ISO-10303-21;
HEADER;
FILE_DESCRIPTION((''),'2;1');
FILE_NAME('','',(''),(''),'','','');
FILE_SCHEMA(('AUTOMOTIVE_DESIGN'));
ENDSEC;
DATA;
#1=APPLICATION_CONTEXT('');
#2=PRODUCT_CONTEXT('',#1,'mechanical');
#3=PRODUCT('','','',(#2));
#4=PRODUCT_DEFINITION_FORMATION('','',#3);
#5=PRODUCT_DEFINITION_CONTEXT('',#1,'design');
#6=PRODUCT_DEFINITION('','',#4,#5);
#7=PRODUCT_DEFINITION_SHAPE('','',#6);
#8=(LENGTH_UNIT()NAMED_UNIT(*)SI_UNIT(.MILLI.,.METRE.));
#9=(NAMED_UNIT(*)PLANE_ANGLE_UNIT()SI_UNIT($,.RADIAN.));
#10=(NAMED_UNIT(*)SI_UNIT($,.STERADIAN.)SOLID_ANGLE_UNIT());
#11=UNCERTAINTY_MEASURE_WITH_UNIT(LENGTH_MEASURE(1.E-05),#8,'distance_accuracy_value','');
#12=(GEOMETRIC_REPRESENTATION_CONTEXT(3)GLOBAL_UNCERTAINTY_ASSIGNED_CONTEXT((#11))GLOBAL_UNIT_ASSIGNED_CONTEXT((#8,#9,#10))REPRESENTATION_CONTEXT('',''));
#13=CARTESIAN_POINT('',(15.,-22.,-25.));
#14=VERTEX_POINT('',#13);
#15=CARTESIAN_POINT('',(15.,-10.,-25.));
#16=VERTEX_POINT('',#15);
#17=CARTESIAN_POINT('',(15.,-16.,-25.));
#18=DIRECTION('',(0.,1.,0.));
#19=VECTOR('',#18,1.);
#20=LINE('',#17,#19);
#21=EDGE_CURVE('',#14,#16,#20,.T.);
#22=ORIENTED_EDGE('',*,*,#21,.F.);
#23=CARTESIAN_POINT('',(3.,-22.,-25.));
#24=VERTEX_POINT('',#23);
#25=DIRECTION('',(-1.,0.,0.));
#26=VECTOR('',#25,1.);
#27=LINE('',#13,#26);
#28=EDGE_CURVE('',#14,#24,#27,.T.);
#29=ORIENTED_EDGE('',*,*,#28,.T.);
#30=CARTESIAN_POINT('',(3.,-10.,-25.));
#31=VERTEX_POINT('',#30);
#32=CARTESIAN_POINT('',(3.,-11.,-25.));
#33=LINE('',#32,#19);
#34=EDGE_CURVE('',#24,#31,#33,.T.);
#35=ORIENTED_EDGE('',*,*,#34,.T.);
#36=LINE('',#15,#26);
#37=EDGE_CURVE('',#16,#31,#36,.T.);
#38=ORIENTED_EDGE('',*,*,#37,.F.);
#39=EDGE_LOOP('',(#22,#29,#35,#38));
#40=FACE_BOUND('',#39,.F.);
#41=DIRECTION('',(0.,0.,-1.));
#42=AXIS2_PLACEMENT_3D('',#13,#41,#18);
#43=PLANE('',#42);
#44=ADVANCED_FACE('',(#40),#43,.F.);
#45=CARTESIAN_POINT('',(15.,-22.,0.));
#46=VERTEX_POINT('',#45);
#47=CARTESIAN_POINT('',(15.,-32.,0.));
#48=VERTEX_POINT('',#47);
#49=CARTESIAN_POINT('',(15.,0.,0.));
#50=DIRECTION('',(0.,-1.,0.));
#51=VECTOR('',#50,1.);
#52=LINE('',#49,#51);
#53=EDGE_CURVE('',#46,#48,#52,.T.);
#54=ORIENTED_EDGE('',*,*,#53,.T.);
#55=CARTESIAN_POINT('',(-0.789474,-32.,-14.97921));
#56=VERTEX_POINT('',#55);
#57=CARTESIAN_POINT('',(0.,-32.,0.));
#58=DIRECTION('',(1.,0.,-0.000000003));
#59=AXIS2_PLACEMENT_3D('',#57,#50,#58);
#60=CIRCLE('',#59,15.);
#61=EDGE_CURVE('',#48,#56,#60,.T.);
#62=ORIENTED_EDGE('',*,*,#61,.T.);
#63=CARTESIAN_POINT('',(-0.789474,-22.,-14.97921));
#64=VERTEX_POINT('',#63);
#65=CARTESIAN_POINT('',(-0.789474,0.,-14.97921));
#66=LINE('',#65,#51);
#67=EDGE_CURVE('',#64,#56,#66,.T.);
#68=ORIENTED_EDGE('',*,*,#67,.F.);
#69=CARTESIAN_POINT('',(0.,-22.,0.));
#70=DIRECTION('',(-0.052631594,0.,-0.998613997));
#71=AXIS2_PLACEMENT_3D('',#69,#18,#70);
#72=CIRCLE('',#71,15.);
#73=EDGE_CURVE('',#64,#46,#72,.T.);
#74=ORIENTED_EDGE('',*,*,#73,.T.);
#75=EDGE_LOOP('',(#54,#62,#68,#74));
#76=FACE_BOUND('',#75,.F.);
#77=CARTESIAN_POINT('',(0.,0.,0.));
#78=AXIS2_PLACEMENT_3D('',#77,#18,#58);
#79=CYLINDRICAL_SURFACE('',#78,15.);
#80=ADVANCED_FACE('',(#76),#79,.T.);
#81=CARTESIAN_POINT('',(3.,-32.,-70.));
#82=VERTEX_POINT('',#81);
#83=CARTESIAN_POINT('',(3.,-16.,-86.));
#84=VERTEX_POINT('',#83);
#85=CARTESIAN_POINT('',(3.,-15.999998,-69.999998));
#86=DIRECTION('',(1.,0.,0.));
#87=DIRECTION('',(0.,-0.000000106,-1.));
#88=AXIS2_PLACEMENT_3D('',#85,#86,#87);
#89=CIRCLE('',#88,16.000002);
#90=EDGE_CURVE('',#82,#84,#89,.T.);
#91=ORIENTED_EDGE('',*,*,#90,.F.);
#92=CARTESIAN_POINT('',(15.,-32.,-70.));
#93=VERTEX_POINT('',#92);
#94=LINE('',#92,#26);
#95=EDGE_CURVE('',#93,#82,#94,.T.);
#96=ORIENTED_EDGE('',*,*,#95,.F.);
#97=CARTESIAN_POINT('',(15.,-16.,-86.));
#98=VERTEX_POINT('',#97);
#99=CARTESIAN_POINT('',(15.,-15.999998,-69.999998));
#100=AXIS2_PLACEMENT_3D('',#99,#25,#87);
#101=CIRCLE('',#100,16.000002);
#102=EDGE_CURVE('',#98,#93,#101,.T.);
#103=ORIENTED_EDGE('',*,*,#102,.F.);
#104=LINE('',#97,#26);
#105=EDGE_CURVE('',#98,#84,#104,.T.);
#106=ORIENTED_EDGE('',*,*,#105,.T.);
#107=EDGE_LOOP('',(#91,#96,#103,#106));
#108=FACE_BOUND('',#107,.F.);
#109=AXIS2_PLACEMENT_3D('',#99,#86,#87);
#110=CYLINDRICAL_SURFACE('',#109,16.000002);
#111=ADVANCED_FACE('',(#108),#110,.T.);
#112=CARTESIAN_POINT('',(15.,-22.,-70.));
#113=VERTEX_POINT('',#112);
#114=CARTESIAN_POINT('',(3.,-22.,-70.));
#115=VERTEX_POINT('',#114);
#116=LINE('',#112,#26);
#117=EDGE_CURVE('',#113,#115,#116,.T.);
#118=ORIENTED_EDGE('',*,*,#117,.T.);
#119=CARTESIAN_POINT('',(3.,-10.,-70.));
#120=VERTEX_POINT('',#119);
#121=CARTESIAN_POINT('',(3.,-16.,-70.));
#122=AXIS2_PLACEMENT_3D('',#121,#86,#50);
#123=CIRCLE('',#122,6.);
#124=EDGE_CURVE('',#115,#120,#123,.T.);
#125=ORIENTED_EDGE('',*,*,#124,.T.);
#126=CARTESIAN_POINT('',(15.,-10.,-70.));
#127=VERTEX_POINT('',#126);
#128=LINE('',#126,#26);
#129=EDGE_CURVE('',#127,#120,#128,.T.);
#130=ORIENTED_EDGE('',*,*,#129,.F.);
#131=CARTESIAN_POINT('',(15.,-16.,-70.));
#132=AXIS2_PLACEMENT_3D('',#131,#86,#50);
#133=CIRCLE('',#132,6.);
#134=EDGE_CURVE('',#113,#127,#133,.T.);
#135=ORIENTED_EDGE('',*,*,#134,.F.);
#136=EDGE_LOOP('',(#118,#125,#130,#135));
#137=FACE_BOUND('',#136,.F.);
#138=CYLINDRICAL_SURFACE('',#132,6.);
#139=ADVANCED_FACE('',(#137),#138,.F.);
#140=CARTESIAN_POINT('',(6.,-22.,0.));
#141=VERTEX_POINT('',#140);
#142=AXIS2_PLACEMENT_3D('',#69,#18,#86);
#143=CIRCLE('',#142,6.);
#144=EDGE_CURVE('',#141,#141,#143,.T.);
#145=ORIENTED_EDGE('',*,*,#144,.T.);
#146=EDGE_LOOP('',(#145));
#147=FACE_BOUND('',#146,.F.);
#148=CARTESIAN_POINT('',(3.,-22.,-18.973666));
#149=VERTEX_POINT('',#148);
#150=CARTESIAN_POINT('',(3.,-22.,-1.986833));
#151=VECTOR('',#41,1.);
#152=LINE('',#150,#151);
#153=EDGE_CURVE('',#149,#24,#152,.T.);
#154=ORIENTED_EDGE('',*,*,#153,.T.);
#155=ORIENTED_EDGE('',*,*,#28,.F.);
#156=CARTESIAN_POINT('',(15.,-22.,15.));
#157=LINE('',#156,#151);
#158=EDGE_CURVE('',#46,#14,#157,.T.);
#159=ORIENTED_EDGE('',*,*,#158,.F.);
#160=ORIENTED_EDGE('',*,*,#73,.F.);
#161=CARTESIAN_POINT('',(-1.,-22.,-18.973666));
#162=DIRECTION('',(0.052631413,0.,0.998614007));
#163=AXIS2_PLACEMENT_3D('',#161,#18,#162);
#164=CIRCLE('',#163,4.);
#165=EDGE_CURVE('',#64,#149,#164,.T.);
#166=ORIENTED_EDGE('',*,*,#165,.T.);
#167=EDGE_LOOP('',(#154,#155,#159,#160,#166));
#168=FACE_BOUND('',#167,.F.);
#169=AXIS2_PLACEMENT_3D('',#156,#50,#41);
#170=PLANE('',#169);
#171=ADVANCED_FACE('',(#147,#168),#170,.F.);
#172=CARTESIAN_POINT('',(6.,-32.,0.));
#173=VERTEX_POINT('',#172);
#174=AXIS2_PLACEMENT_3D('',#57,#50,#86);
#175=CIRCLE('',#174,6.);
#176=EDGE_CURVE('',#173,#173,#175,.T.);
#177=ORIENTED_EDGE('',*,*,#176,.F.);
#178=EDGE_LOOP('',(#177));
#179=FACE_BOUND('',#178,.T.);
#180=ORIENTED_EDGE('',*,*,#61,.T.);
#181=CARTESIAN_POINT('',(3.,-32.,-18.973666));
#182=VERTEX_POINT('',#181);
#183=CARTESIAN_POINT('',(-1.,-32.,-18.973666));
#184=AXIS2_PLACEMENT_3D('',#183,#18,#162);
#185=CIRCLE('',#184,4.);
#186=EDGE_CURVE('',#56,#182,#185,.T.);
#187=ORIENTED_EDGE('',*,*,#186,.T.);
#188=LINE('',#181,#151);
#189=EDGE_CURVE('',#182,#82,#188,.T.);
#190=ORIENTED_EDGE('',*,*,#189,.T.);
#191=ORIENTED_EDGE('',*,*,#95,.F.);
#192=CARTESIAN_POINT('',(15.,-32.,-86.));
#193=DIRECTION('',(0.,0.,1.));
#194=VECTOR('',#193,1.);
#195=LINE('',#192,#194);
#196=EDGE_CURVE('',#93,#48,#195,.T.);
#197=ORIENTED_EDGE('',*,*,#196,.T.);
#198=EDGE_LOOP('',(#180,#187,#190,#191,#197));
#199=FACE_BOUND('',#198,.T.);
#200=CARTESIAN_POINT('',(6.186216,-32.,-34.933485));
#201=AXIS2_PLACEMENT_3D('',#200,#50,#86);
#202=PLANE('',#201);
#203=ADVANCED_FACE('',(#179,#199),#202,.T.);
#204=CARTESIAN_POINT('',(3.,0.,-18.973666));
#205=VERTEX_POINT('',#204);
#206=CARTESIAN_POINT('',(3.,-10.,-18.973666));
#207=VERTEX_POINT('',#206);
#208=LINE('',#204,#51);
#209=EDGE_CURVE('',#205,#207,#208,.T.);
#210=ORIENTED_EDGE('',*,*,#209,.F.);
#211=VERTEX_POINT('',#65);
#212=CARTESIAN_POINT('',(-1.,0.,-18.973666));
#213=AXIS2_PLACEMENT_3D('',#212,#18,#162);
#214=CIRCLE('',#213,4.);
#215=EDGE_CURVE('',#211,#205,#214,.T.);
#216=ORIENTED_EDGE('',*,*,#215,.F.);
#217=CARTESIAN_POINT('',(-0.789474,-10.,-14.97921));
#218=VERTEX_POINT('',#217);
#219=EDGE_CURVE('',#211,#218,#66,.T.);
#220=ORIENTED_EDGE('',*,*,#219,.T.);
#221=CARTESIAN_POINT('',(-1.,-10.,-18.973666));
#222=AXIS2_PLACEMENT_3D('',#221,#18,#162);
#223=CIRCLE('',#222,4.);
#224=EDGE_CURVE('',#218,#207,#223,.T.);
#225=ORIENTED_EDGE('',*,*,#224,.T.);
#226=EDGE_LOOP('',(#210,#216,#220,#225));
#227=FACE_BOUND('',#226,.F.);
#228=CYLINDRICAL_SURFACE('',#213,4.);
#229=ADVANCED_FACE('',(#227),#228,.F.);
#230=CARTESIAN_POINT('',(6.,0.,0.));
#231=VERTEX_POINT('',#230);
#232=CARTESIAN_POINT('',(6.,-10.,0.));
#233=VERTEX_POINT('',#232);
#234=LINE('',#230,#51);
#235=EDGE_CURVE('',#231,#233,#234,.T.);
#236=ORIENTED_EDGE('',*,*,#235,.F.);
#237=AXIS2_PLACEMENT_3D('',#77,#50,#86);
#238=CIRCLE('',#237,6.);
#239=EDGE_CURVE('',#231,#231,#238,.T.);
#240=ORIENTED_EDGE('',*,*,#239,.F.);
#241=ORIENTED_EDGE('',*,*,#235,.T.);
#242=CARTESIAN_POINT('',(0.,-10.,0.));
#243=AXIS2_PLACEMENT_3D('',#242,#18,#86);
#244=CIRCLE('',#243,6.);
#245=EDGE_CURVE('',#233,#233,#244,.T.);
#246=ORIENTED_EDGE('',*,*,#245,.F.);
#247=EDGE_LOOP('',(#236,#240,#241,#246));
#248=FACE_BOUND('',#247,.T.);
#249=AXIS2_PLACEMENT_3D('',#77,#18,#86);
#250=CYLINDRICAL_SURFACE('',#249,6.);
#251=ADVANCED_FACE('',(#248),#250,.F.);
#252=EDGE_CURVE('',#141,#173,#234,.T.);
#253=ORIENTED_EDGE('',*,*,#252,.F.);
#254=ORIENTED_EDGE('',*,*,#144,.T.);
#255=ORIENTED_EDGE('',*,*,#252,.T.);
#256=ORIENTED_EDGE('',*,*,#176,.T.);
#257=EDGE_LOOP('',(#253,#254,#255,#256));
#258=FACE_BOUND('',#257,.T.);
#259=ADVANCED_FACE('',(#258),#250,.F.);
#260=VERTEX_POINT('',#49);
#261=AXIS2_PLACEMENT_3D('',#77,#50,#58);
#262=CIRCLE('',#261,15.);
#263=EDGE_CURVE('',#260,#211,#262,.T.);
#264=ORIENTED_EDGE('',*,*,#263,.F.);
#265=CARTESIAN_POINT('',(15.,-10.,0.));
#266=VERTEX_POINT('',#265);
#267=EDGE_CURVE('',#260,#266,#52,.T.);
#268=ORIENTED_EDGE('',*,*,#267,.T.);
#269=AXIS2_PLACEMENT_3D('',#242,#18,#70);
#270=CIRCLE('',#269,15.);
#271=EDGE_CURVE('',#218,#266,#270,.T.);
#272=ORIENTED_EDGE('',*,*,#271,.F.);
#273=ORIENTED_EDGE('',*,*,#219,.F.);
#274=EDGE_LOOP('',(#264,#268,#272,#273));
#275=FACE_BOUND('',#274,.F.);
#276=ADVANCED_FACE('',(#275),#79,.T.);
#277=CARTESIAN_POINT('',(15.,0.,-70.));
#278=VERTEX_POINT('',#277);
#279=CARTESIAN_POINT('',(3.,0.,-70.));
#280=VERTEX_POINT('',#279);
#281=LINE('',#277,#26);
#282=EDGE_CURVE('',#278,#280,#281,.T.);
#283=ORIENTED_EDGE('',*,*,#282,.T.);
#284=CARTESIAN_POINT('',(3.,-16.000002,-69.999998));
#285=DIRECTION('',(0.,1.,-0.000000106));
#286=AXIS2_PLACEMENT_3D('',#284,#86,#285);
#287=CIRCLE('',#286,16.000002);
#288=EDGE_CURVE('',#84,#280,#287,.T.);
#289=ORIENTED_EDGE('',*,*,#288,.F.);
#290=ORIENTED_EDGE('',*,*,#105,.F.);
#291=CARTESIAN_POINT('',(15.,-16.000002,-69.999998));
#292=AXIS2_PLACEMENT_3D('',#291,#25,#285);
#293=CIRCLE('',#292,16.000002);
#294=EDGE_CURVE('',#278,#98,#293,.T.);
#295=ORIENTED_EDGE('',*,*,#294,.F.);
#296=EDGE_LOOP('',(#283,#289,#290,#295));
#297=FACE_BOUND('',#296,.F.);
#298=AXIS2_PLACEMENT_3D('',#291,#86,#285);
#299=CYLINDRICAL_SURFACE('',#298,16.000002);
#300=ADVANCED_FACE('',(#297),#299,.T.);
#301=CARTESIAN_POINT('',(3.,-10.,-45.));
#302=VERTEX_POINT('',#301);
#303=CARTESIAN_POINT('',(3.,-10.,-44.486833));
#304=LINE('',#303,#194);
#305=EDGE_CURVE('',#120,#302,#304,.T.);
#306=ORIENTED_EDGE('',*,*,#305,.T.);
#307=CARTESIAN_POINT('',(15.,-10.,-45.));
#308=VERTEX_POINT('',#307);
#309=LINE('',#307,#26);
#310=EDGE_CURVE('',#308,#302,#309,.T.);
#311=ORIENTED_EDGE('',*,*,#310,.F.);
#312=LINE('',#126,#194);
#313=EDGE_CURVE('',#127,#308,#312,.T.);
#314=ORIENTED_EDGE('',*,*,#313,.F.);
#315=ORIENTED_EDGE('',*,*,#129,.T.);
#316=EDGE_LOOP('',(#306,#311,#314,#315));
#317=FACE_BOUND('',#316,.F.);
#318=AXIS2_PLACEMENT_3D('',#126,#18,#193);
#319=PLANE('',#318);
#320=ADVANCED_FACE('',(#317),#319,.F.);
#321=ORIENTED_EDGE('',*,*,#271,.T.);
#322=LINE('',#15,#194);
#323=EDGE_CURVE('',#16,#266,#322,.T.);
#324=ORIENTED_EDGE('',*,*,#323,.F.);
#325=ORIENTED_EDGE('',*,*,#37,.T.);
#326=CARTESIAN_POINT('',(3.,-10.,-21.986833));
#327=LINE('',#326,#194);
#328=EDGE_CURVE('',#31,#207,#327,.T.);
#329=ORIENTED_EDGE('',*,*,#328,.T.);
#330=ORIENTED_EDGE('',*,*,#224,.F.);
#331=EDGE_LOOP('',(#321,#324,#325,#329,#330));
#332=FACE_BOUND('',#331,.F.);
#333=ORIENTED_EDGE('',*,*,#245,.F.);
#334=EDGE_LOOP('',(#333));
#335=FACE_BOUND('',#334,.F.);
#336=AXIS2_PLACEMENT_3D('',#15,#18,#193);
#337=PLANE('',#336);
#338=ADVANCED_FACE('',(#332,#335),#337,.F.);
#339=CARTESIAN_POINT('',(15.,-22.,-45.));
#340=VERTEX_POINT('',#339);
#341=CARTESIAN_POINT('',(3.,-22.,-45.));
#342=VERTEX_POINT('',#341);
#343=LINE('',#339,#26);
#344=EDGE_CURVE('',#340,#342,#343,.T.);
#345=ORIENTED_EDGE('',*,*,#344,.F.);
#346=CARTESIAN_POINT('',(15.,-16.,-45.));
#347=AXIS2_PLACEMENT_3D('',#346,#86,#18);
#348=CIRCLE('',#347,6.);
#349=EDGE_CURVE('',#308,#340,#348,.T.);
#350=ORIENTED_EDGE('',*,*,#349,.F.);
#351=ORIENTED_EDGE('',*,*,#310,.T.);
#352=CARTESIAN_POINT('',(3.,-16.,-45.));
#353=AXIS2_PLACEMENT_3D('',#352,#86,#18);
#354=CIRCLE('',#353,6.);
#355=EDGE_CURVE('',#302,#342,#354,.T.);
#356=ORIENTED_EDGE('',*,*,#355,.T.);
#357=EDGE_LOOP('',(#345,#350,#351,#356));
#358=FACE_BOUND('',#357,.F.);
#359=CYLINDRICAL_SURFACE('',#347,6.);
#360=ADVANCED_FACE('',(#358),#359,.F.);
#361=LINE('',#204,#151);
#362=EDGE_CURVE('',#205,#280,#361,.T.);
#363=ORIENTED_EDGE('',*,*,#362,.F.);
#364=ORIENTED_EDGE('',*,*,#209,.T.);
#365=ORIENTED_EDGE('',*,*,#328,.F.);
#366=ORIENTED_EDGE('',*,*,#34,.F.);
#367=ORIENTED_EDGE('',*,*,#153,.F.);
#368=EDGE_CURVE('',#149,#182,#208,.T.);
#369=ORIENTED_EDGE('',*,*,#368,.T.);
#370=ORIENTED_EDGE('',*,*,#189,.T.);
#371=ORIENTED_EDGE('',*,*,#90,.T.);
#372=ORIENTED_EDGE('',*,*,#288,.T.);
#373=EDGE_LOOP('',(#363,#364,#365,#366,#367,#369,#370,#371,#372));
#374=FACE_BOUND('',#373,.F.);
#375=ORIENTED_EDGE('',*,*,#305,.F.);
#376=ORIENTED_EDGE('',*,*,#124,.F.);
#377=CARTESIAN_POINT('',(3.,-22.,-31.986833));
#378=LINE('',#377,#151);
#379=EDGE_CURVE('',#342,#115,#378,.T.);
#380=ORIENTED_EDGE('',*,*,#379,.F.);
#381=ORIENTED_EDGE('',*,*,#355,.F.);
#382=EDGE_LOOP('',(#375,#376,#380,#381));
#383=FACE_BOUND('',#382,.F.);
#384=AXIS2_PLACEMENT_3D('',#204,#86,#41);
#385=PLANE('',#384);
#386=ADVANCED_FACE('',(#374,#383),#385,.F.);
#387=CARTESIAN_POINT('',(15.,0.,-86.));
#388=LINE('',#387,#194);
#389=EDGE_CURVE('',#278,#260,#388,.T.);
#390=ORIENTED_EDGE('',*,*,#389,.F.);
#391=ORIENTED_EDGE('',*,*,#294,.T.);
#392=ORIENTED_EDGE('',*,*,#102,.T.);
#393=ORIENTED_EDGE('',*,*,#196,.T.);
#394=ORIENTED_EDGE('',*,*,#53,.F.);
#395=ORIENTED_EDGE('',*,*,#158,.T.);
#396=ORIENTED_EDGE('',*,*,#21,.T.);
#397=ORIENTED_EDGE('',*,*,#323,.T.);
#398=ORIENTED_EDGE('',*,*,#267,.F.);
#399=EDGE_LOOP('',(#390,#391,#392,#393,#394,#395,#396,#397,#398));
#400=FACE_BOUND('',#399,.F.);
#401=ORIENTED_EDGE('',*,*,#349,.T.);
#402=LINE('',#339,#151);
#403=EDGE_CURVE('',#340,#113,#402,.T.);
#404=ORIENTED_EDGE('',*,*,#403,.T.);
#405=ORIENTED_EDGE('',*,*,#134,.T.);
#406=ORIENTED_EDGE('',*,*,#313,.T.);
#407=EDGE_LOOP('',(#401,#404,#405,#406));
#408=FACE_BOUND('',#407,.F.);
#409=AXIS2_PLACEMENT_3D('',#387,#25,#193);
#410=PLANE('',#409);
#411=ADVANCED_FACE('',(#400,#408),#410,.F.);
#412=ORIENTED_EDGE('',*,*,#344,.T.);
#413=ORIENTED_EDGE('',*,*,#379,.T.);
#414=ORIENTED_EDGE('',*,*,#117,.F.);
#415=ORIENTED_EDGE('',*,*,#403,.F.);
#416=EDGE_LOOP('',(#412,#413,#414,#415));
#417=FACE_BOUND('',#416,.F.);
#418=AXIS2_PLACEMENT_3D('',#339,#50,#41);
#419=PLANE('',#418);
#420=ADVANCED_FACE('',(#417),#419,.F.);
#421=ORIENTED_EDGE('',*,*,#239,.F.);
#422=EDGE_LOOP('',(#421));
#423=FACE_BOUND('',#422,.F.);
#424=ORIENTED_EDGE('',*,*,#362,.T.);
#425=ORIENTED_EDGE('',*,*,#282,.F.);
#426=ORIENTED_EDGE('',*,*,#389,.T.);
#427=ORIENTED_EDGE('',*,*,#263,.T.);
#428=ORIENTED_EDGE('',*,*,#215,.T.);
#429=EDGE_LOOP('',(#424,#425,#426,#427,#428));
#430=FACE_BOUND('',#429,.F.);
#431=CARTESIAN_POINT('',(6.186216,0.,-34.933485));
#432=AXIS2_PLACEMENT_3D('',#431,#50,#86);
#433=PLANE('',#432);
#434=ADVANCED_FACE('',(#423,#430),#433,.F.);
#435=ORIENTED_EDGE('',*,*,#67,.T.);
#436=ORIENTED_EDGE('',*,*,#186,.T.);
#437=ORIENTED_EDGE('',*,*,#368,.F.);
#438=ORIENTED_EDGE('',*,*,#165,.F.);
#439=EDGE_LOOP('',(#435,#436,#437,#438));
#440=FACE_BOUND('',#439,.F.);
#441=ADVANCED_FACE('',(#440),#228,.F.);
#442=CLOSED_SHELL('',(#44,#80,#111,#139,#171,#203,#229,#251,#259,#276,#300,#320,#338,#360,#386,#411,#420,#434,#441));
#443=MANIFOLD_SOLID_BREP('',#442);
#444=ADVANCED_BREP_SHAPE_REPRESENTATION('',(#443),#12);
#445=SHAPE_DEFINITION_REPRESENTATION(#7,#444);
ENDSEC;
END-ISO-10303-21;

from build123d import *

# Parameters (mm, degrees)
F0_R     = 6
F1_DEPTH = 32
F2_W     = 12
F2_H     = 25
F2_H_2   = 15
F3_DEPTH = 30.001


with BuildPart() as f1:
    # F0 (on Front) → F1 (new body)
    with BuildSketch(Plane.XZ):
        with BuildLine():
            Line((15, -86), (15, 0))
            ThreePointArc((15, 0), (-10.323708, 10.882144), (-0.789474, -14.97921))
            ThreePointArc((-0.789474, -14.97921), (1.901905, -16.220677), (3, -18.973666))
            Line((3, -18.973666), (3, -86))
            Line((3, -86), (15, -86))
        make_face()
        Circle(F0_R, mode=Mode.SUBTRACT)
    extrude(amount=F1_DEPTH)

    # F2 (on face) → F3 (cut, through all)
    with BuildSketch(Plane.YZ.offset(15)):
        with BuildLine():
            Line((-22, -45), (-22, -70))
            ThreePointArc((-22, -70), (-16, -76), (-10, -70))
            Line((-10, -70), (-10, -45))
            ThreePointArc((-10, -45), (-16, -39), (-22, -45))
        make_face()
        with Locations((-16, -12.5)):
            Rectangle(F2_W, F2_H)
        with BuildLine():
            ThreePointArc((-16, -86), (-27.313708, -81.313708), (-32, -70))
            Line((-32, -70), (-32, -86))
            Line((-32, -86), (-16, -86))
        make_face()
        with BuildLine():
            Line((0, -86), (0, -70))
            ThreePointArc((0, -70), (-4.686292, -81.313708), (-16, -86))
            Line((-16, -86), (0, -86))
        make_face()
        with Locations((-16, 7.5)):
            Rectangle(F2_W, F2_H_2)
    extrude(amount=-F3_DEPTH, mode=Mode.SUBTRACT)


solid = f1.part
